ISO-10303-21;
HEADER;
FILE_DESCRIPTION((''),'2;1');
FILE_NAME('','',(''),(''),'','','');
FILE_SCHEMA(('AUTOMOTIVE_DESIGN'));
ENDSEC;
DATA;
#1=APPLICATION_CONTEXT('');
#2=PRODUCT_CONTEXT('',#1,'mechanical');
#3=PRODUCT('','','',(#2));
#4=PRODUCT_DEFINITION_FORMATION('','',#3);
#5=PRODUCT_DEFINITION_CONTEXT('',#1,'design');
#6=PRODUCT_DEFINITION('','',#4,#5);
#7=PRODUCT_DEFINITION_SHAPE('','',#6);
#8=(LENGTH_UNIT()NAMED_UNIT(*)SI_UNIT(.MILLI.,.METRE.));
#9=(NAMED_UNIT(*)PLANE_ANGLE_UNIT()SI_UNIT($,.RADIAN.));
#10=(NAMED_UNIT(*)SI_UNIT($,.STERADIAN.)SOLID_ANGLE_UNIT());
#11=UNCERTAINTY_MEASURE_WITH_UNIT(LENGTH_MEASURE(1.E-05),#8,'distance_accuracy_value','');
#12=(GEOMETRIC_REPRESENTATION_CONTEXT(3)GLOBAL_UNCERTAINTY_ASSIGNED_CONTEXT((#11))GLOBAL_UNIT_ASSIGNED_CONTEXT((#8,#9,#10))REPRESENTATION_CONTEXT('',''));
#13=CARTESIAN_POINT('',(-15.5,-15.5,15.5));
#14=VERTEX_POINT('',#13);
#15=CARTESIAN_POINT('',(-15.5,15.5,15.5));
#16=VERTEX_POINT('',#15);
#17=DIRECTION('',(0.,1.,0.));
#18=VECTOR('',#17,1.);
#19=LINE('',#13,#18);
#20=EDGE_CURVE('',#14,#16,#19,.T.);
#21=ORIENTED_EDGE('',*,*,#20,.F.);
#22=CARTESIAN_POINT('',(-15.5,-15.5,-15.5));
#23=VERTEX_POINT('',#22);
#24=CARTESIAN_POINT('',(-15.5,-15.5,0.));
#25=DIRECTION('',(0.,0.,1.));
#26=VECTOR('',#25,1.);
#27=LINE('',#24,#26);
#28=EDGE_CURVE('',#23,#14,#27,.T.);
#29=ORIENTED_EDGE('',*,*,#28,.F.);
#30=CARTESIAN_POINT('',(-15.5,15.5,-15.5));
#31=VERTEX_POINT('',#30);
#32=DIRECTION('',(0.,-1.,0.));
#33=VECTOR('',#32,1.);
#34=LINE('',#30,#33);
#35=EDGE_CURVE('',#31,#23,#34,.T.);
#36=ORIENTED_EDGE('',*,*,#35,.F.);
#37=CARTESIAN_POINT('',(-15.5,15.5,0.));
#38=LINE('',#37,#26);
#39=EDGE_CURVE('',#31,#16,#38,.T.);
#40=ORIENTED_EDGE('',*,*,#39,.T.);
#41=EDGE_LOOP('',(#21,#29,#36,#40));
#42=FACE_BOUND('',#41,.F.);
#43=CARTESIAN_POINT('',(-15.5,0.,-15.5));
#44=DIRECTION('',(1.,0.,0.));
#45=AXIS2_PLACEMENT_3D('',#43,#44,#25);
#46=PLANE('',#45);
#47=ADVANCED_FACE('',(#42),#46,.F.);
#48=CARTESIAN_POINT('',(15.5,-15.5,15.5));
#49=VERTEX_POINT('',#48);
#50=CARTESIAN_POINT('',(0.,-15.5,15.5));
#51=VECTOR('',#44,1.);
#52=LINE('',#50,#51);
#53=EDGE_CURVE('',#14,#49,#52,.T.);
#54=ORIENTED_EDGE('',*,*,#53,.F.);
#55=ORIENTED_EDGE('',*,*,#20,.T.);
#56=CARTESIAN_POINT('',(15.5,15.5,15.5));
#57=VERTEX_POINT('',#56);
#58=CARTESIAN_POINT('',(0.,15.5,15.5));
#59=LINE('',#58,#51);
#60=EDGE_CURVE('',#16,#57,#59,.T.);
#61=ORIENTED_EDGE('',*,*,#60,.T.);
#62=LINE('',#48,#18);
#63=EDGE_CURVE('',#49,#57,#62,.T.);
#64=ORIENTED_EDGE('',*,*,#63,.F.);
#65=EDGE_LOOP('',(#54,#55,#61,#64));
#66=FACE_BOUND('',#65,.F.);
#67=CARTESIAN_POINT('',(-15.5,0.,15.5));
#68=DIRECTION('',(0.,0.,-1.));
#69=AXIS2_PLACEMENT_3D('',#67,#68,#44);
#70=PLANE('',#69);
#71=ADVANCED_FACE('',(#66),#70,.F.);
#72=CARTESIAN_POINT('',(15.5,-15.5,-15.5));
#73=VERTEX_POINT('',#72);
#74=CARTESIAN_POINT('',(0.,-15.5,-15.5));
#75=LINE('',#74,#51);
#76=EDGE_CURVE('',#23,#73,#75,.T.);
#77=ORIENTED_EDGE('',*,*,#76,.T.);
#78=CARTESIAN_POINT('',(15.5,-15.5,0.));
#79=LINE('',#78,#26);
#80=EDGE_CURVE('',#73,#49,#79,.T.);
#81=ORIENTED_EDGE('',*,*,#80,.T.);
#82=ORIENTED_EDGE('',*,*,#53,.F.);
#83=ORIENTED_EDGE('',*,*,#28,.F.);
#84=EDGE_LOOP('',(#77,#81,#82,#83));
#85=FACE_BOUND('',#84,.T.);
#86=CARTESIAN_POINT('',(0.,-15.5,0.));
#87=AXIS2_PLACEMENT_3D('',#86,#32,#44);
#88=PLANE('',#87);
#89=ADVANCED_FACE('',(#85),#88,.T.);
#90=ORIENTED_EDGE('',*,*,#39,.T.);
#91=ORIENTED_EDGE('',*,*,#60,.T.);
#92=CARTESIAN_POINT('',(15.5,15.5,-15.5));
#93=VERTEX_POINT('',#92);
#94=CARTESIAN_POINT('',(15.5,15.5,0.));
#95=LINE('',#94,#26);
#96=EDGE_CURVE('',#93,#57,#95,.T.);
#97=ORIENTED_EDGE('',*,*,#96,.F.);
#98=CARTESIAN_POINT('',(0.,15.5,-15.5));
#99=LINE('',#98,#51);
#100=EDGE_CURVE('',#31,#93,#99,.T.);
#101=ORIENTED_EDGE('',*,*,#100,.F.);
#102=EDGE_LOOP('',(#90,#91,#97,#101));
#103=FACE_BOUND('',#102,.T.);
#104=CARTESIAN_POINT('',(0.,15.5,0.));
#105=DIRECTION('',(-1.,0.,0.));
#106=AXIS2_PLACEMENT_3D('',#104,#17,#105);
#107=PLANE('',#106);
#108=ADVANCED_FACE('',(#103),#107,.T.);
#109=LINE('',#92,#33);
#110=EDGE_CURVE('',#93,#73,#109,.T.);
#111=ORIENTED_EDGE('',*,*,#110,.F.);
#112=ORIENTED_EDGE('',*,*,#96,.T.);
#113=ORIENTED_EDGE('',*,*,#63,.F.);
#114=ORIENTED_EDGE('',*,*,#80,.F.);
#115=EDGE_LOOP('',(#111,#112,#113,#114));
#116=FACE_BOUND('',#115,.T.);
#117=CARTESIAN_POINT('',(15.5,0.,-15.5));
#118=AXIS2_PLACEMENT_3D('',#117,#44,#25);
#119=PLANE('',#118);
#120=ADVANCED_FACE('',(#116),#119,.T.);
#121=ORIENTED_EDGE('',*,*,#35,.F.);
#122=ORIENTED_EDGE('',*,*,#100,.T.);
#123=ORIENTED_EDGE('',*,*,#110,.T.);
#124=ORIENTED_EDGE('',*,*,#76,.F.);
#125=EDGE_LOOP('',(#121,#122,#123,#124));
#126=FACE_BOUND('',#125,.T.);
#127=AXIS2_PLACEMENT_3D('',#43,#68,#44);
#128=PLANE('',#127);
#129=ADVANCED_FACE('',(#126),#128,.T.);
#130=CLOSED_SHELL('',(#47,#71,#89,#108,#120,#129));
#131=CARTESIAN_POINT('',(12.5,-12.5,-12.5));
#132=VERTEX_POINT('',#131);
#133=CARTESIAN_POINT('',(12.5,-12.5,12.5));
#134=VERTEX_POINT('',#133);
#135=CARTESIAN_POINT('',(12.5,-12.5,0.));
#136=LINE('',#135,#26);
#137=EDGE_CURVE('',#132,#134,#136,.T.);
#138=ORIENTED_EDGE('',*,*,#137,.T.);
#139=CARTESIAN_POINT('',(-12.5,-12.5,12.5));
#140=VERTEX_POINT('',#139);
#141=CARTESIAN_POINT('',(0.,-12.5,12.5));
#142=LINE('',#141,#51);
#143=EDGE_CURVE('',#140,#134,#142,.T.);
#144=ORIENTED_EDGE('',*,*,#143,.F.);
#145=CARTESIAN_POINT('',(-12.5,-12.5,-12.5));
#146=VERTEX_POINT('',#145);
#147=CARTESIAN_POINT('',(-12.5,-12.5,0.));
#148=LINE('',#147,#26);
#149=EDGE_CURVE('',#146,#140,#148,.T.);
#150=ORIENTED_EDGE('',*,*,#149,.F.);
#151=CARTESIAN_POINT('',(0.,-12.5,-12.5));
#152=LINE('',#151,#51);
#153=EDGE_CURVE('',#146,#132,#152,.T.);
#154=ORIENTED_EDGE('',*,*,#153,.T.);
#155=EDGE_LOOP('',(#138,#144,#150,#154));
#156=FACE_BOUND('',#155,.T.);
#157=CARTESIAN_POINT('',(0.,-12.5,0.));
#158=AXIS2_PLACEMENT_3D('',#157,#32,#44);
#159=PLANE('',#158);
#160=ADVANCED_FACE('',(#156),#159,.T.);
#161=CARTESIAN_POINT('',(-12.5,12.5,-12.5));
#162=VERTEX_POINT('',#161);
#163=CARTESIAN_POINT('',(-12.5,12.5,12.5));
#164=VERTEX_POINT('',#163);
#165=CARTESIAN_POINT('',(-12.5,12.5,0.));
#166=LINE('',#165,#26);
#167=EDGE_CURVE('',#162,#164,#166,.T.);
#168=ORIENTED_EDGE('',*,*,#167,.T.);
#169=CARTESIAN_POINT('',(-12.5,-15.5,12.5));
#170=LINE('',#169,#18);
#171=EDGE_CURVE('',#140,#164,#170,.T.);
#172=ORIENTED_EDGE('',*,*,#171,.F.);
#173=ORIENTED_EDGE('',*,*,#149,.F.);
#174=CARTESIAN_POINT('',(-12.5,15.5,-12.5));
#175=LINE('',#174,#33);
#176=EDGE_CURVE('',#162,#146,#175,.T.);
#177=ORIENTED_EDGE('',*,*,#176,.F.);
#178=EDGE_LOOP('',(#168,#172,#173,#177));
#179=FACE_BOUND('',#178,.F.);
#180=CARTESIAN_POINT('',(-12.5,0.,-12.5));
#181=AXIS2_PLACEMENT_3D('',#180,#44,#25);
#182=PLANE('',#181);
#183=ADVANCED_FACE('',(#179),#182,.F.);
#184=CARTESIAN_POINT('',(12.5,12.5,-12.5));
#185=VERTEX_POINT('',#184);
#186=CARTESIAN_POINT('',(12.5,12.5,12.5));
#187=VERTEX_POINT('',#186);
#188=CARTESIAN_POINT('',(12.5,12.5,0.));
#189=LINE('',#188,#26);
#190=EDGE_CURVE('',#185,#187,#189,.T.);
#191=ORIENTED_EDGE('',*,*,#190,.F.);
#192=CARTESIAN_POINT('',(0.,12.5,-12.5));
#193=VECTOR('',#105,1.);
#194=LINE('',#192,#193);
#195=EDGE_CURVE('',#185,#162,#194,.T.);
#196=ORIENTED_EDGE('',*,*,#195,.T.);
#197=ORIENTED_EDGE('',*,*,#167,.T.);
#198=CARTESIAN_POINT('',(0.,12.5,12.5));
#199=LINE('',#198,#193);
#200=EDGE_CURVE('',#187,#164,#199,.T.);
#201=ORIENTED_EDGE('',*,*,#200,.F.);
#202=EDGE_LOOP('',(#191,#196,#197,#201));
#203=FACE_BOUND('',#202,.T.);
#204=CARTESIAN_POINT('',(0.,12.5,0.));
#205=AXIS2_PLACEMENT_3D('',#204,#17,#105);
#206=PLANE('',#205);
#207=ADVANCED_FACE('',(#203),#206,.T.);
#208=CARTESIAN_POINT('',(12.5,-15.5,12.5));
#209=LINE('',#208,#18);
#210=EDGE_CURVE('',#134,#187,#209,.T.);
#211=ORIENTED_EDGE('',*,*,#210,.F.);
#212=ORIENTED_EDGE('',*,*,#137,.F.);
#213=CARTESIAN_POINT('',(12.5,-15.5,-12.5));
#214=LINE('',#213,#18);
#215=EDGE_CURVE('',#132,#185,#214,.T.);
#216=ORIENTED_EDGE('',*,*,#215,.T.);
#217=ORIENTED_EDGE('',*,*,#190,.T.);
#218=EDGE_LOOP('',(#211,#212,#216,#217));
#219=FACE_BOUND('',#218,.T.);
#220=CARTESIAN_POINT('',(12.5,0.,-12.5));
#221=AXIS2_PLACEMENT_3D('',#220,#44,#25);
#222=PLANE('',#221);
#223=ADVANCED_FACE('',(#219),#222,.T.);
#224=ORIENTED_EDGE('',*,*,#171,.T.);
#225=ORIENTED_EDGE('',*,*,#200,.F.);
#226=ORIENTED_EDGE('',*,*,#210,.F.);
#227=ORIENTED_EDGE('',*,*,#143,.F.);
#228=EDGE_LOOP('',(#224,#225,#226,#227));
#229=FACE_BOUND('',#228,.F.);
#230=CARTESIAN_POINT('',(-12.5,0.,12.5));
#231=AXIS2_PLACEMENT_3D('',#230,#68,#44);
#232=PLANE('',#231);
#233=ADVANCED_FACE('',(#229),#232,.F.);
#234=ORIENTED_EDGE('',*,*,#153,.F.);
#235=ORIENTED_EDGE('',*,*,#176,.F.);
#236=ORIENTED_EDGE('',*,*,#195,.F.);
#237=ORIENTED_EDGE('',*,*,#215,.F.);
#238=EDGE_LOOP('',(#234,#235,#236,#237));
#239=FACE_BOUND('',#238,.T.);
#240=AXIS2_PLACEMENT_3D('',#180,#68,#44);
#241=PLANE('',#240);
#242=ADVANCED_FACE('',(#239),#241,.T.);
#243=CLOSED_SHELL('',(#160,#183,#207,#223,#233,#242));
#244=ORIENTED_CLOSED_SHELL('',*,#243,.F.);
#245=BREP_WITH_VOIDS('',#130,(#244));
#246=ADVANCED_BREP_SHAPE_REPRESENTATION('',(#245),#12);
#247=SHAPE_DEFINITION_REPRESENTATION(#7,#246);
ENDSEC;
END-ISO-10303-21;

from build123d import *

# Parameters (mm, degrees)
F0_W     = 31
F0_H     = 31
F0_W_2   = 25
F0_H_2   = 25
F1_DEPTH = 15.5
F2_W     = 25
F2_H     = 25
F3_DEPTH = 3
F4_W     = 25
F4_H     = 25
F5_DEPTH = 3


with BuildPart() as f1:
    # F0 (on Front) → F1 (new body, symmetric)
    with BuildSketch(Plane.XZ):
        Rectangle(F0_W, F0_H)
        Rectangle(F0_W_2, F0_H_2, mode=Mode.SUBTRACT)
    extrude(amount=F1_DEPTH, both=True)

    # F2 (on face) → F3 (join)
    with BuildSketch(Plane.XZ.offset(15.5)):
        Rectangle(F2_W, F2_H)
    extrude(amount=-F3_DEPTH)

    # F4 (on face) → F5 (join)
    with BuildSketch(Plane(origin=(0, 15.5, 0), x_dir=(-1, 0, 0), z_dir=(0, 1, 0))):
        Rectangle(F4_W, F4_H)
    extrude(amount=-F5_DEPTH)


solid = f1.part
